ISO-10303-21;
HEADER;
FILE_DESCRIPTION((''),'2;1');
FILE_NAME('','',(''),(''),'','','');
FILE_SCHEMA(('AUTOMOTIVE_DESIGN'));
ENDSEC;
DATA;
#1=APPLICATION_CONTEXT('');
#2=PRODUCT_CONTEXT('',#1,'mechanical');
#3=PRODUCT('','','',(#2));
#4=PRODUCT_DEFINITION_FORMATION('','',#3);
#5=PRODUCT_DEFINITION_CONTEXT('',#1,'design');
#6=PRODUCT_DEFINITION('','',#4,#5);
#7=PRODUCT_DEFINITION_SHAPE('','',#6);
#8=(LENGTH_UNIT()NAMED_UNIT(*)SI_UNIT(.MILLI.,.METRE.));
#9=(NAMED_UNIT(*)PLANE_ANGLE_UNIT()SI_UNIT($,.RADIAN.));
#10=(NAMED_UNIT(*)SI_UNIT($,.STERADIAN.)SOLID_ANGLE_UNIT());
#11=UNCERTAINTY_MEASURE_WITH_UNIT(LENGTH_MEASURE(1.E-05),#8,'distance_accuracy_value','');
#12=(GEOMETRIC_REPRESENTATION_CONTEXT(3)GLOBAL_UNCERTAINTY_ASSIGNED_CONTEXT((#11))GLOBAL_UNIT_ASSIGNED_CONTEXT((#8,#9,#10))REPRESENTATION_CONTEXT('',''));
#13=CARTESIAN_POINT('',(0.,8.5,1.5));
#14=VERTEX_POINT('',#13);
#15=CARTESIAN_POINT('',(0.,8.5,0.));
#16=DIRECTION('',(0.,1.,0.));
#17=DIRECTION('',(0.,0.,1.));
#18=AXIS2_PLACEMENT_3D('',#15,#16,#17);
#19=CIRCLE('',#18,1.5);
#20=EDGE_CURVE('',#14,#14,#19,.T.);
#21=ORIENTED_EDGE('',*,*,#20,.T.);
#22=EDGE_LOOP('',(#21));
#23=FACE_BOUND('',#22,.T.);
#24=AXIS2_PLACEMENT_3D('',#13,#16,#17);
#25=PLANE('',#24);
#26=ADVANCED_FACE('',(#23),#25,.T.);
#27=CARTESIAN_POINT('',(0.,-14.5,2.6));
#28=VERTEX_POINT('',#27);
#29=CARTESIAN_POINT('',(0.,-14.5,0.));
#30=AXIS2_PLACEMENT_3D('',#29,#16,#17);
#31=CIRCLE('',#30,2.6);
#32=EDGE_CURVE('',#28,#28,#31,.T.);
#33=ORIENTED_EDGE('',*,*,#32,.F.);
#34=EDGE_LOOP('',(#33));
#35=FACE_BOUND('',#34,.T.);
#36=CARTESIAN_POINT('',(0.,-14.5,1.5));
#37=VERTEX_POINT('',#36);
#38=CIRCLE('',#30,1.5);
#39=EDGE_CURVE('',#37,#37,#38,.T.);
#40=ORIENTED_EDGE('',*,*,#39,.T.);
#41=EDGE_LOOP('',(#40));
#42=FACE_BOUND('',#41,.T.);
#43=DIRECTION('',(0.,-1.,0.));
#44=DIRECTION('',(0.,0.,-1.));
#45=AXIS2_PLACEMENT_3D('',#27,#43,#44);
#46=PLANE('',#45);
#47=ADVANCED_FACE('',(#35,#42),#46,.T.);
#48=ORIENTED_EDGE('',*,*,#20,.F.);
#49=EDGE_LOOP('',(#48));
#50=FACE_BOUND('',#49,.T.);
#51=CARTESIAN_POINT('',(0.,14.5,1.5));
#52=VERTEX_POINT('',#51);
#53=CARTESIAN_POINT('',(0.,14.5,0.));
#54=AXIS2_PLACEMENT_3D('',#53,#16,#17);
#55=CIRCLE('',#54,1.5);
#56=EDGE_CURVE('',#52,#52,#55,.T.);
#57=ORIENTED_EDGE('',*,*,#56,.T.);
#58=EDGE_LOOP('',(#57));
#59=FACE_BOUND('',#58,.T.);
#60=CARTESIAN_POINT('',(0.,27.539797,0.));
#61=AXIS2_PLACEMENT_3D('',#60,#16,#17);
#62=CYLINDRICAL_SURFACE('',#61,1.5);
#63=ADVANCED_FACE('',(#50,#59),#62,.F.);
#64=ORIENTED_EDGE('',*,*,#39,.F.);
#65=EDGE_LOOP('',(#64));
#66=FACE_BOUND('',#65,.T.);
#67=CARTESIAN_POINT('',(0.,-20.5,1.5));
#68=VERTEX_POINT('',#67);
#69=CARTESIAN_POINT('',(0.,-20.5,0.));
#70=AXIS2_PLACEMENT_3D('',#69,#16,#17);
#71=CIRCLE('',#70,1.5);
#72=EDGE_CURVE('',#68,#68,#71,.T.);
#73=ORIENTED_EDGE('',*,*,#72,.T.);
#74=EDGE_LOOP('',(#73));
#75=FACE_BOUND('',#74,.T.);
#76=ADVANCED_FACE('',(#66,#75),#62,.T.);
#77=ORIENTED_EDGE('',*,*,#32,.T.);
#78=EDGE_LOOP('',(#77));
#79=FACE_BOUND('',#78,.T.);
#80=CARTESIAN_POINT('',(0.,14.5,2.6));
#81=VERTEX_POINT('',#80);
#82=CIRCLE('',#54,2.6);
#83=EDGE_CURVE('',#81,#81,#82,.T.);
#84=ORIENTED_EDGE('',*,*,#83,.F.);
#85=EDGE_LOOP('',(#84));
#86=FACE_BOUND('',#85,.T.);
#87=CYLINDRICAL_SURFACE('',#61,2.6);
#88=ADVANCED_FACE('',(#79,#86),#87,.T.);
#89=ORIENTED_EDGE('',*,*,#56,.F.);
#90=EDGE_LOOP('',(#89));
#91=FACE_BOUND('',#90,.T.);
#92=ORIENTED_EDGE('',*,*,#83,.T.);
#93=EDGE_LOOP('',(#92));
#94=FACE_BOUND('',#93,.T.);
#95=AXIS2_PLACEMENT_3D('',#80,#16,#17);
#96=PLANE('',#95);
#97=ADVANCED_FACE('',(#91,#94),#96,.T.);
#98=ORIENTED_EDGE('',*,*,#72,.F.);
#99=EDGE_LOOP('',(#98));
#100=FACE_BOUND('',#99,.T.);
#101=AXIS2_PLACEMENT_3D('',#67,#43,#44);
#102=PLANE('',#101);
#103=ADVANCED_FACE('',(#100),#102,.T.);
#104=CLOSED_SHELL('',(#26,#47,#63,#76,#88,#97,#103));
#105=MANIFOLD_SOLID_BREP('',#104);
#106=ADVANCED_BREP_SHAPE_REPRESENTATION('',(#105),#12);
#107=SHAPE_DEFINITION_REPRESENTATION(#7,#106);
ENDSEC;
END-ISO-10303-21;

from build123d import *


with BuildPart() as part:
    # Sketch1 → Revolve1 (revolve)
    with BuildSketch(Plane(origin=(0, 0, 0), x_dir=(0, 0, -1), z_dir=(1, 0, 0))):
        Polygon((-2.6, 14.5), (-2.6, -14.5), (-1.5, -14.5), (-1.5, -20.5), (0, -20.5), (0, 8.5), (-1.5, 8.5), (-1.5, 14.5), align=None)
    revolve(axis=Axis((0, 27.539796734, 0), (0, -1, 0)))


solid = part.part
